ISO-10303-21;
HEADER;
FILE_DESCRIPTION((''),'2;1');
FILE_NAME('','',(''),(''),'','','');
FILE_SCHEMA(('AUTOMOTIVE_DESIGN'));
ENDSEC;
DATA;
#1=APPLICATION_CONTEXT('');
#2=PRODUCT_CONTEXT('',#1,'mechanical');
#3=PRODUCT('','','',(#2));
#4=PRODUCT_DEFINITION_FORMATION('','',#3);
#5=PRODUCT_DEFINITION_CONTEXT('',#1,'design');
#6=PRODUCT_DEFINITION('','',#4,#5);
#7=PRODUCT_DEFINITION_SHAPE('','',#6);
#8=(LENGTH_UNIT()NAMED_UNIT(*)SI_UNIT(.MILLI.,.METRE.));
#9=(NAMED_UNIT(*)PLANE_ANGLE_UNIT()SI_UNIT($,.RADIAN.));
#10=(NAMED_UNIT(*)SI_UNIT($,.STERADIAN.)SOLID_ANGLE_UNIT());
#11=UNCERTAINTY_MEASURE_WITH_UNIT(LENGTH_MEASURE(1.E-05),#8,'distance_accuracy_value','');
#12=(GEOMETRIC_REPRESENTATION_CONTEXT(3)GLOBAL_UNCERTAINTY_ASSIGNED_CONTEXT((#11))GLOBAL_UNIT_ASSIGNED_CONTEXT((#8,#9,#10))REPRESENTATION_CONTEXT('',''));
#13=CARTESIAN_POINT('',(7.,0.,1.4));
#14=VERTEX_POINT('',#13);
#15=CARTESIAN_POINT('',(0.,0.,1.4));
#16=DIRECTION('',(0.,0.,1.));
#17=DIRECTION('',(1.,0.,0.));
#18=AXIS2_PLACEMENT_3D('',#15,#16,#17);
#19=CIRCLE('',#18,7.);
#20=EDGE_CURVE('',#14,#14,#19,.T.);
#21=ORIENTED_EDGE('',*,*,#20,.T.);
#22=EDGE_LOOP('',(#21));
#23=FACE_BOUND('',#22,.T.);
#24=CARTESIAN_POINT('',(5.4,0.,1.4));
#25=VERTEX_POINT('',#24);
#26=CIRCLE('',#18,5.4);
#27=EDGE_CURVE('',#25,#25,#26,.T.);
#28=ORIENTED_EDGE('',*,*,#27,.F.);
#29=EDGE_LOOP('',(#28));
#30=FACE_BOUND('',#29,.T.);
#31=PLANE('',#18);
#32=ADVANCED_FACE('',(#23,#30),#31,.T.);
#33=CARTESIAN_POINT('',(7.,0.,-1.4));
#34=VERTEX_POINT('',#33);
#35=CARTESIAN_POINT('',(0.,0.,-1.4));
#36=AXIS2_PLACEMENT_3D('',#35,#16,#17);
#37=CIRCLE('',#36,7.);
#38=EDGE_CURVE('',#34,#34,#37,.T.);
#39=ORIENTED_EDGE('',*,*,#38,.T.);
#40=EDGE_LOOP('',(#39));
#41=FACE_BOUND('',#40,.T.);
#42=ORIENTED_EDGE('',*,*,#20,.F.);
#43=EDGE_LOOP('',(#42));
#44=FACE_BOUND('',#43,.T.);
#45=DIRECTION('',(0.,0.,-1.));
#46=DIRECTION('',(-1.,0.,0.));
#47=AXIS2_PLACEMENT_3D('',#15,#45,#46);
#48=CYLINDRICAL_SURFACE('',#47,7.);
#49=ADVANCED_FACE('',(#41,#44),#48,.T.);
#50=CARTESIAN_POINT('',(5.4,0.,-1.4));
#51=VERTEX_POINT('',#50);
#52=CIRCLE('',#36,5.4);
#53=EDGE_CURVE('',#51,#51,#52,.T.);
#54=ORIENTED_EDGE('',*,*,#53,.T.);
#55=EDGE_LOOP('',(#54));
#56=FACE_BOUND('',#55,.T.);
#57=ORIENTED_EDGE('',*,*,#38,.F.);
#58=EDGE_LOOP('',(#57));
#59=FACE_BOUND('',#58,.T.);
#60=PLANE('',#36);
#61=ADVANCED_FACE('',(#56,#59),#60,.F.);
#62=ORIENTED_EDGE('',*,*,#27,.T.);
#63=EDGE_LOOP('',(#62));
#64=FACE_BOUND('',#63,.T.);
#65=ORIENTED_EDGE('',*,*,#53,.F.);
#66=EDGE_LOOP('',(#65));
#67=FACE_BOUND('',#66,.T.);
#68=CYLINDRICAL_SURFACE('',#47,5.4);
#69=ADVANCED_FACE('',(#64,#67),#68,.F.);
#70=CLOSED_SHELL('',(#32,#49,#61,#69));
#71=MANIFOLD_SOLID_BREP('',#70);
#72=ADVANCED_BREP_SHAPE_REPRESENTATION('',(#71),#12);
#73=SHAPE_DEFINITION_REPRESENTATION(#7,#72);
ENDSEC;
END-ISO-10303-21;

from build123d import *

# Parameters (mm, degrees)
SKETCH_1_R      = 7
SKETCH_1_R_2    = 5.4
EXTRUDE_1_DEPTH = 1.4


with BuildPart() as part:
    # ｽｹｯﾁ1 → ﾎﾞｽ - 押し出し1 (new, symmetric)
    with BuildSketch(Plane.XY):
        Circle(SKETCH_1_R)
        Circle(SKETCH_1_R_2, mode=Mode.SUBTRACT)
    extrude(amount=EXTRUDE_1_DEPTH, both=True)


solid = part.part
